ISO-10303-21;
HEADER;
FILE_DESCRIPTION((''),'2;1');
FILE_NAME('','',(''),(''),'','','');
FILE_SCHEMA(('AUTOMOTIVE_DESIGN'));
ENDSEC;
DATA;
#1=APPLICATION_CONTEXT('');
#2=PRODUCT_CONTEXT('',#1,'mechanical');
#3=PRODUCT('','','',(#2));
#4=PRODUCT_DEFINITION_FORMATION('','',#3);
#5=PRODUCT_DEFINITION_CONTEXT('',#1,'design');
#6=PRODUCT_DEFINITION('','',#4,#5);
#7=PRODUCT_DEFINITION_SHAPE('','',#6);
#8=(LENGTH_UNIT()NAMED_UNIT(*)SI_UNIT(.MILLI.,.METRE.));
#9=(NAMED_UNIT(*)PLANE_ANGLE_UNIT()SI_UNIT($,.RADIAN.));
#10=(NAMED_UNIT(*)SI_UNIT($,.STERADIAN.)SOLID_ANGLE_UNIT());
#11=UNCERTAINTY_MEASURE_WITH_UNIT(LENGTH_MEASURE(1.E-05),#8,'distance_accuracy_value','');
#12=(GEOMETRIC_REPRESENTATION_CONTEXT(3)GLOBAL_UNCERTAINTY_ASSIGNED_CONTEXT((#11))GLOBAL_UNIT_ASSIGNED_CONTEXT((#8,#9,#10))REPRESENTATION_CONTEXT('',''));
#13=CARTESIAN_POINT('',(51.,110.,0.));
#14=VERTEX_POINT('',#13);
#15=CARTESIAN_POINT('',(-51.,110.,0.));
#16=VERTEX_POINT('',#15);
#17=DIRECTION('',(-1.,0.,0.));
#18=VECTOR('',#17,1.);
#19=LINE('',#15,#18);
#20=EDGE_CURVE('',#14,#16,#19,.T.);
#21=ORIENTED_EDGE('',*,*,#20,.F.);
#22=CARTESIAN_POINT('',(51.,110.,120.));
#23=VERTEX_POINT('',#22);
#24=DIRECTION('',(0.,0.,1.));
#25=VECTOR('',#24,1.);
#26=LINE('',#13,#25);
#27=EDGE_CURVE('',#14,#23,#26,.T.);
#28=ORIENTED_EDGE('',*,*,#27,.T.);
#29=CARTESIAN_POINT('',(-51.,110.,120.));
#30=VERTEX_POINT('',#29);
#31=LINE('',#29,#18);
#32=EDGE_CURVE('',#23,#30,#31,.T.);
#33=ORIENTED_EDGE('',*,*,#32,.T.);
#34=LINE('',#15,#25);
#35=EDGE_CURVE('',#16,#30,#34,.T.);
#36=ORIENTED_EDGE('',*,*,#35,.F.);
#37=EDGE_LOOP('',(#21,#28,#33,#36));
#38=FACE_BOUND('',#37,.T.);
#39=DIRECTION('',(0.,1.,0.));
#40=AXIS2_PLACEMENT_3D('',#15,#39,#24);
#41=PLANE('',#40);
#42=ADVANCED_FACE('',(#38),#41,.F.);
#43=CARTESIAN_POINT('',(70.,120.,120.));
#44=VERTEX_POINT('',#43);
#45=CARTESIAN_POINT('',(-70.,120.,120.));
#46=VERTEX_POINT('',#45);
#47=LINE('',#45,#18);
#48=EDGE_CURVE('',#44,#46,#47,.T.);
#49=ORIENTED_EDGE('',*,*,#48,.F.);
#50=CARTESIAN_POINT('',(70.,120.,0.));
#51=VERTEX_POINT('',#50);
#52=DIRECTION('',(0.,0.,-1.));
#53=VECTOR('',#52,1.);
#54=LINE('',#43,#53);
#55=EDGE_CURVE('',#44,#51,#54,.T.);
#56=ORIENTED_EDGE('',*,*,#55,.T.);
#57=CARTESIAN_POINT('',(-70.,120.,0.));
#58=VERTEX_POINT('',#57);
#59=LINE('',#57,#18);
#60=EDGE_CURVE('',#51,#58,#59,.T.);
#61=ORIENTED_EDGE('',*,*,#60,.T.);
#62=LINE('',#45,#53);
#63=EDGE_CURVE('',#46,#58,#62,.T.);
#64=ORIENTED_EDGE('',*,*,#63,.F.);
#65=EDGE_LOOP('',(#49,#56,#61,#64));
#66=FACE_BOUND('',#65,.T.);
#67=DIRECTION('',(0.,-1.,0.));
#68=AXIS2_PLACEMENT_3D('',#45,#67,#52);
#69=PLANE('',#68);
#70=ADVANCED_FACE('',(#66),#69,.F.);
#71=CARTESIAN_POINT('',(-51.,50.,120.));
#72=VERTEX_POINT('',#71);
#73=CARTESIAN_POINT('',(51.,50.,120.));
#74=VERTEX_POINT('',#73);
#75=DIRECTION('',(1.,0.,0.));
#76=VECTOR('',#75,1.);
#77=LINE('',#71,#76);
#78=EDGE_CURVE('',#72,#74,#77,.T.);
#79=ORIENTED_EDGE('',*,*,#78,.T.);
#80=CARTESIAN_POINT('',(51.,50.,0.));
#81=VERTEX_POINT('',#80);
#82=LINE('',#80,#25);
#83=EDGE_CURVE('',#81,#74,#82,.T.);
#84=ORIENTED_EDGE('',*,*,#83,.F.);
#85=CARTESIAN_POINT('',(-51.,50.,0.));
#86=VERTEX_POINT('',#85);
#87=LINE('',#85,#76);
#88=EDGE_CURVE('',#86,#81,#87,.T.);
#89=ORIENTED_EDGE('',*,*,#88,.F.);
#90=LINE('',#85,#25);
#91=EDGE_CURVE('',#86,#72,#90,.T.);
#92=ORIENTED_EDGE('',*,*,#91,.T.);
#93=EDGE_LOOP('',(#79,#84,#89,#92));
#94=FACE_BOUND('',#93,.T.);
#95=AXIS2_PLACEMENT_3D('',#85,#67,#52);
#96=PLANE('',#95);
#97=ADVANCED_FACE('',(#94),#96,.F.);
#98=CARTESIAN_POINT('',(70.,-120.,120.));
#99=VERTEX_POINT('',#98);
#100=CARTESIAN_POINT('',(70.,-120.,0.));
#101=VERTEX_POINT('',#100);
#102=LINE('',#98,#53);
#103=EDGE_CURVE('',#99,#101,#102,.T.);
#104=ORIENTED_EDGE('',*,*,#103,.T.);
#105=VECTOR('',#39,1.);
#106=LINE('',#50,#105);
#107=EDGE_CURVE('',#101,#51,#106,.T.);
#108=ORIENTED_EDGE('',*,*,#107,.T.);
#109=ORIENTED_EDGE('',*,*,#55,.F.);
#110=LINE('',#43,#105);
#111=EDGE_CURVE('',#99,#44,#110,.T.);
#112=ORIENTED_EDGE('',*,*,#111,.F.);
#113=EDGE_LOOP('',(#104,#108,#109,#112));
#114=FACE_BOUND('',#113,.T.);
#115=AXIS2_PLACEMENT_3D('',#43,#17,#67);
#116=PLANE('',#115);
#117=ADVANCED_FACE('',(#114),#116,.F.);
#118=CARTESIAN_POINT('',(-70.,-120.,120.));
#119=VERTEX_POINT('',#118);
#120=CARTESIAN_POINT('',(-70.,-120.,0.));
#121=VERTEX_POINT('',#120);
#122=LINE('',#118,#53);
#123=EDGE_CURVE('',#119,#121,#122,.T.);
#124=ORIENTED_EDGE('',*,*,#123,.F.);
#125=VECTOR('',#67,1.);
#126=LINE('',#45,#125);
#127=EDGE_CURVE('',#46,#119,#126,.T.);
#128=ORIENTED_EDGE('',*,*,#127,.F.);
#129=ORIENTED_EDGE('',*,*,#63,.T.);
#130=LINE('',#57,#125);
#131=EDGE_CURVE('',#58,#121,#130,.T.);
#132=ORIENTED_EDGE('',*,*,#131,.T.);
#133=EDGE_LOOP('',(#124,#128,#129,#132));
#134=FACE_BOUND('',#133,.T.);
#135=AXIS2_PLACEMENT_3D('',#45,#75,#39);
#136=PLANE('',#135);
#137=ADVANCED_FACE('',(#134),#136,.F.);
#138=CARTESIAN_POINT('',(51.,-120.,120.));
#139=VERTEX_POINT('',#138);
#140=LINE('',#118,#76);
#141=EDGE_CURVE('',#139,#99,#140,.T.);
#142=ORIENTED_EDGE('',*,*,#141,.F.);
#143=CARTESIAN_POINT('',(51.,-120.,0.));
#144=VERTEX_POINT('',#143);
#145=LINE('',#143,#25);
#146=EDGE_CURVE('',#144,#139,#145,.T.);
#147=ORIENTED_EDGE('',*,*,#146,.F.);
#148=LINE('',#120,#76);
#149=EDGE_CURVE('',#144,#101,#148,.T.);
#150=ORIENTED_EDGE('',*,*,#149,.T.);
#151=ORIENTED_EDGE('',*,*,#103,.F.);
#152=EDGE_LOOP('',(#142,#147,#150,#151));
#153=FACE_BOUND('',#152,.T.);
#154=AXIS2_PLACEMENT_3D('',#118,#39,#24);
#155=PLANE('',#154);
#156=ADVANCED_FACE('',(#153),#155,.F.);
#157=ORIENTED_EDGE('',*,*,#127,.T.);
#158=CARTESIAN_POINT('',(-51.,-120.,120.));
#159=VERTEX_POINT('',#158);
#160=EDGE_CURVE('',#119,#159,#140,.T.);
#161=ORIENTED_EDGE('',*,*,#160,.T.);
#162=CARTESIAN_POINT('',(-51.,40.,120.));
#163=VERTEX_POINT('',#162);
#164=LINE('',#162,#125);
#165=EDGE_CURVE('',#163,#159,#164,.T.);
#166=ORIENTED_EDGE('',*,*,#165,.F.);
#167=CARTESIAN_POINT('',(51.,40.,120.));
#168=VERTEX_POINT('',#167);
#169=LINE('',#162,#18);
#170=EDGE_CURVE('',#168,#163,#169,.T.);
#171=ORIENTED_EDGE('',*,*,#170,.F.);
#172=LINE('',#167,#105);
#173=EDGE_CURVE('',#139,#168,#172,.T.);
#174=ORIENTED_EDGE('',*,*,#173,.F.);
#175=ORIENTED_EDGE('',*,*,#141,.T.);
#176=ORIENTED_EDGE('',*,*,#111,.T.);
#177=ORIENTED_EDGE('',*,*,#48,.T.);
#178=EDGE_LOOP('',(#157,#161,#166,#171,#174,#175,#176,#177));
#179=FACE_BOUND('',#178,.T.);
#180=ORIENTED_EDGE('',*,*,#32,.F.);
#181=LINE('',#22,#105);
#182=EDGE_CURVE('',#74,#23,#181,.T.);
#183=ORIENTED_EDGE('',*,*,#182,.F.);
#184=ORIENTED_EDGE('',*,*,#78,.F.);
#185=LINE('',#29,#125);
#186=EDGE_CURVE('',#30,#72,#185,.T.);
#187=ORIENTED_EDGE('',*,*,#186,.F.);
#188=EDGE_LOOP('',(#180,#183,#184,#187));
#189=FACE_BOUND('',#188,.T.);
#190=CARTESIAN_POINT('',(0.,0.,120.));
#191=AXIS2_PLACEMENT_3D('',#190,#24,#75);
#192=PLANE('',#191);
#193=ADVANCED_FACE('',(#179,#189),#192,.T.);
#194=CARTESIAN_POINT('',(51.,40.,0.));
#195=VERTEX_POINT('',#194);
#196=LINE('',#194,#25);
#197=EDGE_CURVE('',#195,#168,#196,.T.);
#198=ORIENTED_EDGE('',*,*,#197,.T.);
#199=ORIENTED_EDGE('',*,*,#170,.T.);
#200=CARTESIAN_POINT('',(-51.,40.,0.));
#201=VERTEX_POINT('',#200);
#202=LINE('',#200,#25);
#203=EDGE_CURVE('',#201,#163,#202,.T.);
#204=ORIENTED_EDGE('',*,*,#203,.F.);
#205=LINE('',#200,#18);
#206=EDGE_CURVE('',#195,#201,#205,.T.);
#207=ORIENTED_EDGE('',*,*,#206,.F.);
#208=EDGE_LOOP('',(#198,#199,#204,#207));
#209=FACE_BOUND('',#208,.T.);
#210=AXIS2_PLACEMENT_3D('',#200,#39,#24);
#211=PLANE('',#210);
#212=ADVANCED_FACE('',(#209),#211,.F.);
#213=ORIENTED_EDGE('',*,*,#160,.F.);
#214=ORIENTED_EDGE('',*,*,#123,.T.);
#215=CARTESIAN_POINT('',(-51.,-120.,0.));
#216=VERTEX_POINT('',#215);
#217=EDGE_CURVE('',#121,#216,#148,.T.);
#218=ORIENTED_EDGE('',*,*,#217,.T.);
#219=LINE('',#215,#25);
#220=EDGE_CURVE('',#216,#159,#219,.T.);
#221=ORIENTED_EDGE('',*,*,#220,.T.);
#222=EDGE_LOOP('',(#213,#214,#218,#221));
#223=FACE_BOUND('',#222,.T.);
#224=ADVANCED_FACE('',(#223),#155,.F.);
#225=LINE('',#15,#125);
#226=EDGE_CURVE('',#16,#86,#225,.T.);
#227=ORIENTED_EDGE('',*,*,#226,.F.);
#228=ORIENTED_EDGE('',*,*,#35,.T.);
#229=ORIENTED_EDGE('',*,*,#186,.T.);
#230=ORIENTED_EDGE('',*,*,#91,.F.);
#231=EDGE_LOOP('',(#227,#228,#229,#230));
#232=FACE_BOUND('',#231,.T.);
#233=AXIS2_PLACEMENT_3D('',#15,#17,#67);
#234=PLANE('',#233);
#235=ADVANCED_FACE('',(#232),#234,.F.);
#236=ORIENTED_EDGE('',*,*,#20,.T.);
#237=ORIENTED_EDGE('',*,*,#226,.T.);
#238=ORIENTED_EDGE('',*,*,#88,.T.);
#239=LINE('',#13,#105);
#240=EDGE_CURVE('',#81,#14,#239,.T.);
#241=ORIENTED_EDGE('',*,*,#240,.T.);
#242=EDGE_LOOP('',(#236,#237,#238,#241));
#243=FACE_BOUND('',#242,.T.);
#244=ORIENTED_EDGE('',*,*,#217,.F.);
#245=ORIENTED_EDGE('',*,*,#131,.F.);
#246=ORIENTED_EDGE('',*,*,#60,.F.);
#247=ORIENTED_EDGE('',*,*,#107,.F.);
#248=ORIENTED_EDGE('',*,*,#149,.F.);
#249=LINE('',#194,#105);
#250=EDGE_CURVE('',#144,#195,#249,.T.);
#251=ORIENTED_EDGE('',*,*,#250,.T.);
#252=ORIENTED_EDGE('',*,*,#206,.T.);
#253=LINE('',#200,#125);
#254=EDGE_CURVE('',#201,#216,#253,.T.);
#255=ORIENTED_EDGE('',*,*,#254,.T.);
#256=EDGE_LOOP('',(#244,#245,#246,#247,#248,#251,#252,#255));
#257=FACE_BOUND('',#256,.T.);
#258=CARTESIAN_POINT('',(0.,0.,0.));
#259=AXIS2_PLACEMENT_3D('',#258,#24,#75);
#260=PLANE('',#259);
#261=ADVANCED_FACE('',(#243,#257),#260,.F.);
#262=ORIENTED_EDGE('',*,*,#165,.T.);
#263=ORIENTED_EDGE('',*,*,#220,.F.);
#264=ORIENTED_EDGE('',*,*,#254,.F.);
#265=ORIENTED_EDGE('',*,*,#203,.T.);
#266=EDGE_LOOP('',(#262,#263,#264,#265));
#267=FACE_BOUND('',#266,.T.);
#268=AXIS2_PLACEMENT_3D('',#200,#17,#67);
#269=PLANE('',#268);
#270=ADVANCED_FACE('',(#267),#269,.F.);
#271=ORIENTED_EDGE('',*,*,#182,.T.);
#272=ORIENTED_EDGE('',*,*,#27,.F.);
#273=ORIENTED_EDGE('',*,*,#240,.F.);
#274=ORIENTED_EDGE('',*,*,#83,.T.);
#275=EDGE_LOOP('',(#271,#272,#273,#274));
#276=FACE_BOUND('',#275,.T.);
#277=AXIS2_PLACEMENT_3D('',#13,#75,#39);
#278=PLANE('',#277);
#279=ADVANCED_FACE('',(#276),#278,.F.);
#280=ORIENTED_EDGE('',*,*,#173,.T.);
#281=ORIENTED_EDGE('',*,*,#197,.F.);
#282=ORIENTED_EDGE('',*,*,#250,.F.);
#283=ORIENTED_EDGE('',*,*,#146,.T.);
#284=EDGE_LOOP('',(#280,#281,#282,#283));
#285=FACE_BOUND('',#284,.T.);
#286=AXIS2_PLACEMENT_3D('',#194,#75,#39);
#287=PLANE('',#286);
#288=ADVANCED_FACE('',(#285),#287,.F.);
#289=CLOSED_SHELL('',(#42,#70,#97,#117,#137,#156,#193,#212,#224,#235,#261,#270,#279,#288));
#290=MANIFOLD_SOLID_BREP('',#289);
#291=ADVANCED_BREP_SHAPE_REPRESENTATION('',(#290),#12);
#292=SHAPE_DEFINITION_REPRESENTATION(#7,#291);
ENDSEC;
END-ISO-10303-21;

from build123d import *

# Parameters (mm, degrees)
SCHIZZO1_W                   = 140
SCHIZZO1_H                   = 240
ESTRUSIONE_ESTRUSIONE1_DEPTH = 120
SCHIZZO2_W                   = 102
SCHIZZO2_H                   = 160
SCHIZZO2_H_2                 = 60
TAGLIO_ESTRUSIONE1_DEPTH     = 120


with BuildPart() as part:
    # Schizzo1 → Estrusione-Estrusione1 (new body)
    with BuildSketch(Plane.XY):
        Rectangle(SCHIZZO1_W, SCHIZZO1_H)
    extrude(amount=ESTRUSIONE_ESTRUSIONE1_DEPTH)

    # Schizzo2 → Taglio-Estrusione1 (cut)
    with BuildSketch(Plane.XY.offset(120)):
        with Locations((0, -40)):
            Rectangle(SCHIZZO2_W, SCHIZZO2_H)
        with Locations((0, 80)):
            Rectangle(SCHIZZO2_W, SCHIZZO2_H_2)
    extrude(amount=-TAGLIO_ESTRUSIONE1_DEPTH, mode=Mode.SUBTRACT)


solid = part.part
